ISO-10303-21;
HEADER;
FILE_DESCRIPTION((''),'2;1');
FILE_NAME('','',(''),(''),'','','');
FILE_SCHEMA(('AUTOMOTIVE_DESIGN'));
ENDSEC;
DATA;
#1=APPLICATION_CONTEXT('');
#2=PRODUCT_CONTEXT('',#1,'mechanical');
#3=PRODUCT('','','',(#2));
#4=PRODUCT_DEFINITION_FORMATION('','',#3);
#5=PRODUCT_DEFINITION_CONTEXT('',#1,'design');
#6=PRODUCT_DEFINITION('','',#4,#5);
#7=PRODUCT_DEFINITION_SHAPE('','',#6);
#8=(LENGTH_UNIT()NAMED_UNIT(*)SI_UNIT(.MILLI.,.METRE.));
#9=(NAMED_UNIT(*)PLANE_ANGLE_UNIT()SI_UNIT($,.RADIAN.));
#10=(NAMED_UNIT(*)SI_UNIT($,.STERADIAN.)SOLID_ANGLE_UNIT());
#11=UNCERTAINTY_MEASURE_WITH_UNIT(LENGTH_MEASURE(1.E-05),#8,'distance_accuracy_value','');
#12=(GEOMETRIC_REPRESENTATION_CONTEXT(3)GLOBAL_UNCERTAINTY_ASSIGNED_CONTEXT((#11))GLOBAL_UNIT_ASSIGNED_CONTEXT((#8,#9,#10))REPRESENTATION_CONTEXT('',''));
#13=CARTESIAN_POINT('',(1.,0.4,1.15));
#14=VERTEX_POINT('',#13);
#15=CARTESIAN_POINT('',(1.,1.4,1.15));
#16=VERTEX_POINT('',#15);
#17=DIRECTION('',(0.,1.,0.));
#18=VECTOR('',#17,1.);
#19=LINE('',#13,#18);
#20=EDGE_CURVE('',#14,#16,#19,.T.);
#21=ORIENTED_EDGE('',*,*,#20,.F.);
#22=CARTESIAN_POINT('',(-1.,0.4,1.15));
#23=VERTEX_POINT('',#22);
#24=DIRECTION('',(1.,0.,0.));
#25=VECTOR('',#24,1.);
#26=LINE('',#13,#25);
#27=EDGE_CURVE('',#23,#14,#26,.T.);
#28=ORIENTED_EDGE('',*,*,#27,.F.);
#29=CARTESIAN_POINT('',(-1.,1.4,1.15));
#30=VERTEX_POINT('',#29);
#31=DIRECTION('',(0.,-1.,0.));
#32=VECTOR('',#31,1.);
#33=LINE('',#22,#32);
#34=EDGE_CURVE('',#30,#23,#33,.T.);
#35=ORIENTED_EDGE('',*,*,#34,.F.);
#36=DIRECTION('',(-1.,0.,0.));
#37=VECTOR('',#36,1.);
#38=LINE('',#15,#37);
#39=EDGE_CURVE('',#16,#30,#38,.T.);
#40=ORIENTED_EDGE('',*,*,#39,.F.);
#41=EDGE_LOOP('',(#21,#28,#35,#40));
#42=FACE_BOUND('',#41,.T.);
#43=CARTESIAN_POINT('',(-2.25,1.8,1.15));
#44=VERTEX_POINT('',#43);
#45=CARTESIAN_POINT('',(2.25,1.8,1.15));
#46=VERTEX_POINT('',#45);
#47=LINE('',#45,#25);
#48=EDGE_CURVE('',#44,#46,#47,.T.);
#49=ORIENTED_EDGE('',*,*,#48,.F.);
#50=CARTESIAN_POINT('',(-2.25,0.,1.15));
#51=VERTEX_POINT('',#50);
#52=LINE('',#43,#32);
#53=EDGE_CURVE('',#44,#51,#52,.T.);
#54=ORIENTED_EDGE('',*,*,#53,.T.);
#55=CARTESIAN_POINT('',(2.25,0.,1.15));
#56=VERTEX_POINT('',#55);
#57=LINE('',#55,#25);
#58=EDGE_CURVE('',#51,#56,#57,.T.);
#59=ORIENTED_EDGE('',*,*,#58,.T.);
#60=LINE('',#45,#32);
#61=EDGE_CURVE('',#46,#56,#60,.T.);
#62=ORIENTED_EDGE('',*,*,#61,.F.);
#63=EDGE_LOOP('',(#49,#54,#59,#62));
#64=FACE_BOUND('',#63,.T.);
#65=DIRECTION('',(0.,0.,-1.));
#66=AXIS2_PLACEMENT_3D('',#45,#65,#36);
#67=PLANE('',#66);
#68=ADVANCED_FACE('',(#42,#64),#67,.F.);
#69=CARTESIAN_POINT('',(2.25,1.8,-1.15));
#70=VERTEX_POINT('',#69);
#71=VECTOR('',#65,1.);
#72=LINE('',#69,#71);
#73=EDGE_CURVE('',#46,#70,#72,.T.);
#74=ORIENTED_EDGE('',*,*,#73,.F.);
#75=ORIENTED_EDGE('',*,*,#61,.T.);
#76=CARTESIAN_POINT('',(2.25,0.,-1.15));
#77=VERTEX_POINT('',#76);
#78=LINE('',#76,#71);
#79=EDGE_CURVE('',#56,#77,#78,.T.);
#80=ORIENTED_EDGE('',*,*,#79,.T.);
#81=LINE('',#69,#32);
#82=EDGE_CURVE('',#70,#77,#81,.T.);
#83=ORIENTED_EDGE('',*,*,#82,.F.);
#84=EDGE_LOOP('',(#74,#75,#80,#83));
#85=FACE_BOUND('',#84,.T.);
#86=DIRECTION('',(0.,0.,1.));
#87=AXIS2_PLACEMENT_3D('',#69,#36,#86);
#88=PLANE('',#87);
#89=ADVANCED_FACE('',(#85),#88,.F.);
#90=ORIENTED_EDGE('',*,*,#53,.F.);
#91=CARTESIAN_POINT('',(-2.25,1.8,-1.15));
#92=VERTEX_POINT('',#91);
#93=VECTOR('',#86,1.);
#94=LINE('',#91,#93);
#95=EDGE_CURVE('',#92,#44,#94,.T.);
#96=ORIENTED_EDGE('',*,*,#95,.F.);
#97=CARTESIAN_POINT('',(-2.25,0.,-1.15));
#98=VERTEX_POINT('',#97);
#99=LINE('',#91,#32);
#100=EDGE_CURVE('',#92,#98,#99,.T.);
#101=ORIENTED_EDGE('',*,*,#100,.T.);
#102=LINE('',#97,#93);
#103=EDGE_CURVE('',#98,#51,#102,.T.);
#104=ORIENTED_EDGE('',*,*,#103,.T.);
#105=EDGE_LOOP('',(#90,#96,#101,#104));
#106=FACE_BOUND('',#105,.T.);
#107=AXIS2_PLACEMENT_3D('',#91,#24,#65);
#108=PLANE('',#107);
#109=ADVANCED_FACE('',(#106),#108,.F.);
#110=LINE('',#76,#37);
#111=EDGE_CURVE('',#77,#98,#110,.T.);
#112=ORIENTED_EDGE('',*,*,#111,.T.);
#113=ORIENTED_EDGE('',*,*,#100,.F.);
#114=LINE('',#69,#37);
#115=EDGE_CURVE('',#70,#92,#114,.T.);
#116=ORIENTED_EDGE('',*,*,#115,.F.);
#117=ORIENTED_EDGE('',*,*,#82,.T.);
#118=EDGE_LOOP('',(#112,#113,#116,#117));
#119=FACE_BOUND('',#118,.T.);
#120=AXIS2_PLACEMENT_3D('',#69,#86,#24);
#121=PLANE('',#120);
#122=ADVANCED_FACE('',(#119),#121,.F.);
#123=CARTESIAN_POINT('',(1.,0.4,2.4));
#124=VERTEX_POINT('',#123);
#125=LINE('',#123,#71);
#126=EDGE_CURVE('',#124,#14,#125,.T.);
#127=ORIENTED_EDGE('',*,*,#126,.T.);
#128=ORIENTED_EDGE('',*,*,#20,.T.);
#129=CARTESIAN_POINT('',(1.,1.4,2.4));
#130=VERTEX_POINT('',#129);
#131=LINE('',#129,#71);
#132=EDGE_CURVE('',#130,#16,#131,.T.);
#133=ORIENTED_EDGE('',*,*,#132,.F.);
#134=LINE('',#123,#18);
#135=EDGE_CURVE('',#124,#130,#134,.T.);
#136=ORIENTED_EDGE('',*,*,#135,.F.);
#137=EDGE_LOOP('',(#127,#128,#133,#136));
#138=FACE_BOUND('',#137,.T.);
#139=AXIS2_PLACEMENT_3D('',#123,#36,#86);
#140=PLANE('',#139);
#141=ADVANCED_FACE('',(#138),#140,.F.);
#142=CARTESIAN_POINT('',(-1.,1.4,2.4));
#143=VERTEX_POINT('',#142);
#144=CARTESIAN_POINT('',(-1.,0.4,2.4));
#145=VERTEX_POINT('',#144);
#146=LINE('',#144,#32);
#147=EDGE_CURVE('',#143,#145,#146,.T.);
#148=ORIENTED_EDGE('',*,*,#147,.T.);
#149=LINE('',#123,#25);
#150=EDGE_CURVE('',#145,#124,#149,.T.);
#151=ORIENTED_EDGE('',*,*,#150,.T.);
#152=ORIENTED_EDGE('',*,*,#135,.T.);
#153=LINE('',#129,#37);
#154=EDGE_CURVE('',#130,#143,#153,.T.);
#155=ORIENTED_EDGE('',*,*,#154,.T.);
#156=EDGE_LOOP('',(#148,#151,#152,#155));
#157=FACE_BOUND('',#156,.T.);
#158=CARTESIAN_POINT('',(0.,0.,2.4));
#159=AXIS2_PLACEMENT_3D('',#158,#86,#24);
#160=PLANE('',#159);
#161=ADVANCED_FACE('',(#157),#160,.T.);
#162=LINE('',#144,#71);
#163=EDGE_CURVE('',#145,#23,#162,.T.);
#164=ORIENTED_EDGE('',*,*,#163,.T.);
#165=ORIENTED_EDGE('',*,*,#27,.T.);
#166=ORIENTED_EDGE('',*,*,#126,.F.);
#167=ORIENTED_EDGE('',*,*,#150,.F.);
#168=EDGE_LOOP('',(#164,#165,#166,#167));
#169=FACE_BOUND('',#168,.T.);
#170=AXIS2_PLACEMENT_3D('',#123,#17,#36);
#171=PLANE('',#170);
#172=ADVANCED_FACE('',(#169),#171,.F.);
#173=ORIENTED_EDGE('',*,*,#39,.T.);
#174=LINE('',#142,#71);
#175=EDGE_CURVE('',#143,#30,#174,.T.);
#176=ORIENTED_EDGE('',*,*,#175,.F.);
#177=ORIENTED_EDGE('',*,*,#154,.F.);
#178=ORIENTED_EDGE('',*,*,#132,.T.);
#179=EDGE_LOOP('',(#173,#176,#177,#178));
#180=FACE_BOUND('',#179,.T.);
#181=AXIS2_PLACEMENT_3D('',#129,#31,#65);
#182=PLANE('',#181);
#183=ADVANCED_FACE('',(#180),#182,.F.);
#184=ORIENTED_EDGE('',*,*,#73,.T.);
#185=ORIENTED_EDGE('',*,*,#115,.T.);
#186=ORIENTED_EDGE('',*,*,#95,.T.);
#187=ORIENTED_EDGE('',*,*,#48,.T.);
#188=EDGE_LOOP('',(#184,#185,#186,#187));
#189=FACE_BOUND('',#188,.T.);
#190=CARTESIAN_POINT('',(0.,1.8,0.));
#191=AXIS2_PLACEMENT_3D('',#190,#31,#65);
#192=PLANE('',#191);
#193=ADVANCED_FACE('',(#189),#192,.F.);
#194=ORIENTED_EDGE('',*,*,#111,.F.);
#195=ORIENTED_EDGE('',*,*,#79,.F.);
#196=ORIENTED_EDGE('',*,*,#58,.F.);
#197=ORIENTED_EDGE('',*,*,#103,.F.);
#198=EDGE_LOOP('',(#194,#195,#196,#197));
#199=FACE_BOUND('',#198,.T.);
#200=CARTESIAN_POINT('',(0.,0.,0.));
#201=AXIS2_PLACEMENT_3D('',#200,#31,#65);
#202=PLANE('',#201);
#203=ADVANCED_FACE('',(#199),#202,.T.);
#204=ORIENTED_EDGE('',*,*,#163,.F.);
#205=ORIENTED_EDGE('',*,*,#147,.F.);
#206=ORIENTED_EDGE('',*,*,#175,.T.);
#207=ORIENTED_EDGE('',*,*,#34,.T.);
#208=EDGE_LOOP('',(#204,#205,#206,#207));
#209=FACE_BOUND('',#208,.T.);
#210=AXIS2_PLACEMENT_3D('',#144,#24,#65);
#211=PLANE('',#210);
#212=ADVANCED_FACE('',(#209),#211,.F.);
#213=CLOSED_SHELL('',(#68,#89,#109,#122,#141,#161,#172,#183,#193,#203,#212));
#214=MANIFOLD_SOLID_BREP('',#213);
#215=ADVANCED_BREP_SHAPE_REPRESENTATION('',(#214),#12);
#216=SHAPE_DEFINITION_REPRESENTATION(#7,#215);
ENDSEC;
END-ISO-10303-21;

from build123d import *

# Parameters (mm, degrees)
SKETCH1_W           = 4.5
SKETCH1_H           = 2.3
BOSS_EXTRUDE1_DEPTH = 1.8
SKETCH2_W           = 2
SKETCH2_H           = 1
BOSS_EXTRUDE2_DEPTH = 1.25


with BuildPart() as part:
    # Sketch1 → Boss-Extrude1 (new body)
    with BuildSketch(Plane(origin=(0, 0, 0), x_dir=(1, 0, 0), z_dir=(0, 1, 0))):
        Rectangle(SKETCH1_W, SKETCH1_H)
    extrude(amount=BOSS_EXTRUDE1_DEPTH)

    # Sketch2 → Boss-Extrude2 (add)
    with BuildSketch(Plane.XY.offset(1.15)):
        with Locations((0, 0.9)):
            Rectangle(SKETCH2_W, SKETCH2_H)
    extrude(amount=BOSS_EXTRUDE2_DEPTH)


solid = part.part
